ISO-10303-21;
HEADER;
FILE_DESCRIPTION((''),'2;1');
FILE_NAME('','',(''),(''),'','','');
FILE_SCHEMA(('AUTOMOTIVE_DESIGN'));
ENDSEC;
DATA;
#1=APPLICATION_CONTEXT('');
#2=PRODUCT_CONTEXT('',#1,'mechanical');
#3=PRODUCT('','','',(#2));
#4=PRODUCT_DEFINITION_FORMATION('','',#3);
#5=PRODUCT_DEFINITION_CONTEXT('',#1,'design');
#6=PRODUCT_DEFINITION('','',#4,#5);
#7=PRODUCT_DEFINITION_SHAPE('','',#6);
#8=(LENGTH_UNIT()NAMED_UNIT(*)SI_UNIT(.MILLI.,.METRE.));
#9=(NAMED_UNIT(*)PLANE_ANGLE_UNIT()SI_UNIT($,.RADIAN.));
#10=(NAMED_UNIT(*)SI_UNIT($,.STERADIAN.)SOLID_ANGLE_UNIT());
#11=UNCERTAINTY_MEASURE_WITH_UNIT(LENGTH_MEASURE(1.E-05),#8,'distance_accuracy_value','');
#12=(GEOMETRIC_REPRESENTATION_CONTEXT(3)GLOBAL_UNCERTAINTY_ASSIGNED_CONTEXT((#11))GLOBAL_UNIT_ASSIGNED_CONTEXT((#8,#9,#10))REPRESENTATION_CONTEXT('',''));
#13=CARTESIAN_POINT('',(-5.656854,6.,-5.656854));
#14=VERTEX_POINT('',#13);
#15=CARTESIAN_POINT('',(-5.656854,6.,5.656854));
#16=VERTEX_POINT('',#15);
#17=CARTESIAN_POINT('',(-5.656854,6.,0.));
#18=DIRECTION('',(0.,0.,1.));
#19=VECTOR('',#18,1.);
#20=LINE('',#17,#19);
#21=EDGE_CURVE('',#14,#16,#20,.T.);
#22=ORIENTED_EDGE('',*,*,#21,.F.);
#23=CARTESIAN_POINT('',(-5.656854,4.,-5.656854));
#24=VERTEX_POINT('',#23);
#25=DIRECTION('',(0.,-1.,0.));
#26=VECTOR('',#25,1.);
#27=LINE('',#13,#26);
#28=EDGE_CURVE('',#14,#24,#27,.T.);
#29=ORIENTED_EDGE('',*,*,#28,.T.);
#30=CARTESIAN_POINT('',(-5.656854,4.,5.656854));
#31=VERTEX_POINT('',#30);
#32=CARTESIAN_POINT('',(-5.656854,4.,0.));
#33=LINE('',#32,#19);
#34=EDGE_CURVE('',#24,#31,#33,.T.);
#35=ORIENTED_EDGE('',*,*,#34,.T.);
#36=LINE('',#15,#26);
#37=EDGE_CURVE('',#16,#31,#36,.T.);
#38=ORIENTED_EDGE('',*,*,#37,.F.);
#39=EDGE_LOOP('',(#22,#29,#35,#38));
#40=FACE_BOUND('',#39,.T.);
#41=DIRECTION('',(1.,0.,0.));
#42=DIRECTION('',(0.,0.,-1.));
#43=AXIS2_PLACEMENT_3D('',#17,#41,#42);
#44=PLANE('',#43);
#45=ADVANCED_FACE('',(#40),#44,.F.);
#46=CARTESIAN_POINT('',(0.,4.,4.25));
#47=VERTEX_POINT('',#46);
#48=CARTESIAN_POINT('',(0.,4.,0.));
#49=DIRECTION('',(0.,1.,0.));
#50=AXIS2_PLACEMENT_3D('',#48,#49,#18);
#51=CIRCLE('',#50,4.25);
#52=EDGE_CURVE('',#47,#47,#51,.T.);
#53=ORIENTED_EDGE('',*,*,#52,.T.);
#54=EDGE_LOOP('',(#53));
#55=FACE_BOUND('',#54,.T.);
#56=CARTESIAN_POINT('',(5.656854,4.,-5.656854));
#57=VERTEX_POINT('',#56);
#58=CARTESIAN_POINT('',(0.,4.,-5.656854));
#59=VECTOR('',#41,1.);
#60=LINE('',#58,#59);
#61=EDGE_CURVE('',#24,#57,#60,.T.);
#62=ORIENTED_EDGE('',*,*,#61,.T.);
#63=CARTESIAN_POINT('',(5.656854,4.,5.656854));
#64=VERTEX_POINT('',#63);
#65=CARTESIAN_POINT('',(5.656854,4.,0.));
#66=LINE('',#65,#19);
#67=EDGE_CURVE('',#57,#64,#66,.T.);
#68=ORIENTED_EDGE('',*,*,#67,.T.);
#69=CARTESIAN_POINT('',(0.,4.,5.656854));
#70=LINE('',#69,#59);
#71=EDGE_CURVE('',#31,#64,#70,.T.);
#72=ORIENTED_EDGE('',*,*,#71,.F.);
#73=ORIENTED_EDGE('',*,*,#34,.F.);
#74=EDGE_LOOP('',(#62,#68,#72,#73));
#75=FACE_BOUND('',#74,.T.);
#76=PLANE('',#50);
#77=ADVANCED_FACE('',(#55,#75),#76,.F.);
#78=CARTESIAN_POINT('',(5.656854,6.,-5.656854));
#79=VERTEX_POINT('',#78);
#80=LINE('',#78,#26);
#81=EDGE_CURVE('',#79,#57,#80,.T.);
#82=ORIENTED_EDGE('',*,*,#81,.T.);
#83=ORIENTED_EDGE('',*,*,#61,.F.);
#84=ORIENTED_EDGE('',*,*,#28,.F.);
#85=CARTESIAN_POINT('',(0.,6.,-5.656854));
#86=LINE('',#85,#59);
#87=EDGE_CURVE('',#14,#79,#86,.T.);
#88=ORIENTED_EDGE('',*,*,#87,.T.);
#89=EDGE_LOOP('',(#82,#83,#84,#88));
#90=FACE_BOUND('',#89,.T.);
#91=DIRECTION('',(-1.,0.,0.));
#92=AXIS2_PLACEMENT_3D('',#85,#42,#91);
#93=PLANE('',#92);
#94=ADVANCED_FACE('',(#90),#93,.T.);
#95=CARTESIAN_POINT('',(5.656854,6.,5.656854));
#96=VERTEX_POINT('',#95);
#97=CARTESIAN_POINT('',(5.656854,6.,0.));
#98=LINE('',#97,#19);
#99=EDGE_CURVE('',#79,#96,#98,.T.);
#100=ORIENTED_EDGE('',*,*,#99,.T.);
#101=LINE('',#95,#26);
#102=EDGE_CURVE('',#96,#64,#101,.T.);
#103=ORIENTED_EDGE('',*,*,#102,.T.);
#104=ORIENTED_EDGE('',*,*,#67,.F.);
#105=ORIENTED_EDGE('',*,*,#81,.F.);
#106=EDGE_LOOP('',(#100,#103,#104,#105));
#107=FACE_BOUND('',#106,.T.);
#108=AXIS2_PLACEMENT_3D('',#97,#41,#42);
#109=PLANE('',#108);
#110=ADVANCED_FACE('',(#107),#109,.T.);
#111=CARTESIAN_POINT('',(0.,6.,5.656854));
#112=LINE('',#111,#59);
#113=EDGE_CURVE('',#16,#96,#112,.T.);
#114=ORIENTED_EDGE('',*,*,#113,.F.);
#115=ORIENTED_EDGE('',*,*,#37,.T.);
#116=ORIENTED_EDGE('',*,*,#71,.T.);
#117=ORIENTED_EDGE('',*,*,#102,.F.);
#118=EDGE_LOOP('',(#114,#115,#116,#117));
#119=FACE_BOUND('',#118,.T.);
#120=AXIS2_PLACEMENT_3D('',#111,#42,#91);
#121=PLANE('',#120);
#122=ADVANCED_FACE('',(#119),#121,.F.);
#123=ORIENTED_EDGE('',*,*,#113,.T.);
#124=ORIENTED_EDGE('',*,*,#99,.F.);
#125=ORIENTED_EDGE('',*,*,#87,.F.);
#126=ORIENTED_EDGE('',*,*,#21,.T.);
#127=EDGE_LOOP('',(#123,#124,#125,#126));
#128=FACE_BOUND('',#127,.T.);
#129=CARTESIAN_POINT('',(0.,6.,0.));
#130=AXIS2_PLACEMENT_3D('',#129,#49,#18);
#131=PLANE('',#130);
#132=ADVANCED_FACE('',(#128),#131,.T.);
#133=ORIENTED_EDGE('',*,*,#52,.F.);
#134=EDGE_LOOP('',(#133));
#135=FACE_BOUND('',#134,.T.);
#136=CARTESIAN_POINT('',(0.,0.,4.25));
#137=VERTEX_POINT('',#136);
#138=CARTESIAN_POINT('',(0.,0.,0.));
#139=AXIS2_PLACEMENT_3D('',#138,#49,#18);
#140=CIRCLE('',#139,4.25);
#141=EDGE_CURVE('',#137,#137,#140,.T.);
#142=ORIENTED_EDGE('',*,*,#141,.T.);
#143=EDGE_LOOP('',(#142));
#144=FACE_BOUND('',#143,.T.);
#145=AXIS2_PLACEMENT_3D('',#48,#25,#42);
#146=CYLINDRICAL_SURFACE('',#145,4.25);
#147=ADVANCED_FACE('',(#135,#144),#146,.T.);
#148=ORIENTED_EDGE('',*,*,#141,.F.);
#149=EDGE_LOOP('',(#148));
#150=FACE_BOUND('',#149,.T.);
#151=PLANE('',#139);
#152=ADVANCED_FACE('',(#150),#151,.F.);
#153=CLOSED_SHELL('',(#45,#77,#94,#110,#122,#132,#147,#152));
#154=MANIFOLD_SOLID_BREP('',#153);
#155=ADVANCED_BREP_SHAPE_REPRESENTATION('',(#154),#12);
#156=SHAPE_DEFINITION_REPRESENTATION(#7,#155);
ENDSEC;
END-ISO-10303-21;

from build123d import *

# Parameters (mm, degrees)
SKETCH1_R           = 4.25
BOSS_EXTRUDE1_DEPTH = 4
SKETCH2_W           = 11.313708498
SKETCH2_H           = 11.313708498
BOSS_EXTRUDE2_DEPTH = 2


with BuildPart() as part:
    # Sketch1 → Boss-Extrude1 (new body)
    with BuildSketch(Plane(origin=(0, 0, 0), x_dir=(1, 0, 0), z_dir=(0, 1, 0))):
        with Locations(Location((0, 0, 0), (0, 0, 270))):
            Circle(SKETCH1_R)
    extrude(amount=BOSS_EXTRUDE1_DEPTH)

    # Sketch2 → Boss-Extrude2 (add)
    with BuildSketch(Plane(origin=(0, 4, 0), x_dir=(1, 0, 0), z_dir=(0, 1, 0))):
        Rectangle(SKETCH2_W, SKETCH2_H)
    extrude(amount=BOSS_EXTRUDE2_DEPTH)


solid = part.part
